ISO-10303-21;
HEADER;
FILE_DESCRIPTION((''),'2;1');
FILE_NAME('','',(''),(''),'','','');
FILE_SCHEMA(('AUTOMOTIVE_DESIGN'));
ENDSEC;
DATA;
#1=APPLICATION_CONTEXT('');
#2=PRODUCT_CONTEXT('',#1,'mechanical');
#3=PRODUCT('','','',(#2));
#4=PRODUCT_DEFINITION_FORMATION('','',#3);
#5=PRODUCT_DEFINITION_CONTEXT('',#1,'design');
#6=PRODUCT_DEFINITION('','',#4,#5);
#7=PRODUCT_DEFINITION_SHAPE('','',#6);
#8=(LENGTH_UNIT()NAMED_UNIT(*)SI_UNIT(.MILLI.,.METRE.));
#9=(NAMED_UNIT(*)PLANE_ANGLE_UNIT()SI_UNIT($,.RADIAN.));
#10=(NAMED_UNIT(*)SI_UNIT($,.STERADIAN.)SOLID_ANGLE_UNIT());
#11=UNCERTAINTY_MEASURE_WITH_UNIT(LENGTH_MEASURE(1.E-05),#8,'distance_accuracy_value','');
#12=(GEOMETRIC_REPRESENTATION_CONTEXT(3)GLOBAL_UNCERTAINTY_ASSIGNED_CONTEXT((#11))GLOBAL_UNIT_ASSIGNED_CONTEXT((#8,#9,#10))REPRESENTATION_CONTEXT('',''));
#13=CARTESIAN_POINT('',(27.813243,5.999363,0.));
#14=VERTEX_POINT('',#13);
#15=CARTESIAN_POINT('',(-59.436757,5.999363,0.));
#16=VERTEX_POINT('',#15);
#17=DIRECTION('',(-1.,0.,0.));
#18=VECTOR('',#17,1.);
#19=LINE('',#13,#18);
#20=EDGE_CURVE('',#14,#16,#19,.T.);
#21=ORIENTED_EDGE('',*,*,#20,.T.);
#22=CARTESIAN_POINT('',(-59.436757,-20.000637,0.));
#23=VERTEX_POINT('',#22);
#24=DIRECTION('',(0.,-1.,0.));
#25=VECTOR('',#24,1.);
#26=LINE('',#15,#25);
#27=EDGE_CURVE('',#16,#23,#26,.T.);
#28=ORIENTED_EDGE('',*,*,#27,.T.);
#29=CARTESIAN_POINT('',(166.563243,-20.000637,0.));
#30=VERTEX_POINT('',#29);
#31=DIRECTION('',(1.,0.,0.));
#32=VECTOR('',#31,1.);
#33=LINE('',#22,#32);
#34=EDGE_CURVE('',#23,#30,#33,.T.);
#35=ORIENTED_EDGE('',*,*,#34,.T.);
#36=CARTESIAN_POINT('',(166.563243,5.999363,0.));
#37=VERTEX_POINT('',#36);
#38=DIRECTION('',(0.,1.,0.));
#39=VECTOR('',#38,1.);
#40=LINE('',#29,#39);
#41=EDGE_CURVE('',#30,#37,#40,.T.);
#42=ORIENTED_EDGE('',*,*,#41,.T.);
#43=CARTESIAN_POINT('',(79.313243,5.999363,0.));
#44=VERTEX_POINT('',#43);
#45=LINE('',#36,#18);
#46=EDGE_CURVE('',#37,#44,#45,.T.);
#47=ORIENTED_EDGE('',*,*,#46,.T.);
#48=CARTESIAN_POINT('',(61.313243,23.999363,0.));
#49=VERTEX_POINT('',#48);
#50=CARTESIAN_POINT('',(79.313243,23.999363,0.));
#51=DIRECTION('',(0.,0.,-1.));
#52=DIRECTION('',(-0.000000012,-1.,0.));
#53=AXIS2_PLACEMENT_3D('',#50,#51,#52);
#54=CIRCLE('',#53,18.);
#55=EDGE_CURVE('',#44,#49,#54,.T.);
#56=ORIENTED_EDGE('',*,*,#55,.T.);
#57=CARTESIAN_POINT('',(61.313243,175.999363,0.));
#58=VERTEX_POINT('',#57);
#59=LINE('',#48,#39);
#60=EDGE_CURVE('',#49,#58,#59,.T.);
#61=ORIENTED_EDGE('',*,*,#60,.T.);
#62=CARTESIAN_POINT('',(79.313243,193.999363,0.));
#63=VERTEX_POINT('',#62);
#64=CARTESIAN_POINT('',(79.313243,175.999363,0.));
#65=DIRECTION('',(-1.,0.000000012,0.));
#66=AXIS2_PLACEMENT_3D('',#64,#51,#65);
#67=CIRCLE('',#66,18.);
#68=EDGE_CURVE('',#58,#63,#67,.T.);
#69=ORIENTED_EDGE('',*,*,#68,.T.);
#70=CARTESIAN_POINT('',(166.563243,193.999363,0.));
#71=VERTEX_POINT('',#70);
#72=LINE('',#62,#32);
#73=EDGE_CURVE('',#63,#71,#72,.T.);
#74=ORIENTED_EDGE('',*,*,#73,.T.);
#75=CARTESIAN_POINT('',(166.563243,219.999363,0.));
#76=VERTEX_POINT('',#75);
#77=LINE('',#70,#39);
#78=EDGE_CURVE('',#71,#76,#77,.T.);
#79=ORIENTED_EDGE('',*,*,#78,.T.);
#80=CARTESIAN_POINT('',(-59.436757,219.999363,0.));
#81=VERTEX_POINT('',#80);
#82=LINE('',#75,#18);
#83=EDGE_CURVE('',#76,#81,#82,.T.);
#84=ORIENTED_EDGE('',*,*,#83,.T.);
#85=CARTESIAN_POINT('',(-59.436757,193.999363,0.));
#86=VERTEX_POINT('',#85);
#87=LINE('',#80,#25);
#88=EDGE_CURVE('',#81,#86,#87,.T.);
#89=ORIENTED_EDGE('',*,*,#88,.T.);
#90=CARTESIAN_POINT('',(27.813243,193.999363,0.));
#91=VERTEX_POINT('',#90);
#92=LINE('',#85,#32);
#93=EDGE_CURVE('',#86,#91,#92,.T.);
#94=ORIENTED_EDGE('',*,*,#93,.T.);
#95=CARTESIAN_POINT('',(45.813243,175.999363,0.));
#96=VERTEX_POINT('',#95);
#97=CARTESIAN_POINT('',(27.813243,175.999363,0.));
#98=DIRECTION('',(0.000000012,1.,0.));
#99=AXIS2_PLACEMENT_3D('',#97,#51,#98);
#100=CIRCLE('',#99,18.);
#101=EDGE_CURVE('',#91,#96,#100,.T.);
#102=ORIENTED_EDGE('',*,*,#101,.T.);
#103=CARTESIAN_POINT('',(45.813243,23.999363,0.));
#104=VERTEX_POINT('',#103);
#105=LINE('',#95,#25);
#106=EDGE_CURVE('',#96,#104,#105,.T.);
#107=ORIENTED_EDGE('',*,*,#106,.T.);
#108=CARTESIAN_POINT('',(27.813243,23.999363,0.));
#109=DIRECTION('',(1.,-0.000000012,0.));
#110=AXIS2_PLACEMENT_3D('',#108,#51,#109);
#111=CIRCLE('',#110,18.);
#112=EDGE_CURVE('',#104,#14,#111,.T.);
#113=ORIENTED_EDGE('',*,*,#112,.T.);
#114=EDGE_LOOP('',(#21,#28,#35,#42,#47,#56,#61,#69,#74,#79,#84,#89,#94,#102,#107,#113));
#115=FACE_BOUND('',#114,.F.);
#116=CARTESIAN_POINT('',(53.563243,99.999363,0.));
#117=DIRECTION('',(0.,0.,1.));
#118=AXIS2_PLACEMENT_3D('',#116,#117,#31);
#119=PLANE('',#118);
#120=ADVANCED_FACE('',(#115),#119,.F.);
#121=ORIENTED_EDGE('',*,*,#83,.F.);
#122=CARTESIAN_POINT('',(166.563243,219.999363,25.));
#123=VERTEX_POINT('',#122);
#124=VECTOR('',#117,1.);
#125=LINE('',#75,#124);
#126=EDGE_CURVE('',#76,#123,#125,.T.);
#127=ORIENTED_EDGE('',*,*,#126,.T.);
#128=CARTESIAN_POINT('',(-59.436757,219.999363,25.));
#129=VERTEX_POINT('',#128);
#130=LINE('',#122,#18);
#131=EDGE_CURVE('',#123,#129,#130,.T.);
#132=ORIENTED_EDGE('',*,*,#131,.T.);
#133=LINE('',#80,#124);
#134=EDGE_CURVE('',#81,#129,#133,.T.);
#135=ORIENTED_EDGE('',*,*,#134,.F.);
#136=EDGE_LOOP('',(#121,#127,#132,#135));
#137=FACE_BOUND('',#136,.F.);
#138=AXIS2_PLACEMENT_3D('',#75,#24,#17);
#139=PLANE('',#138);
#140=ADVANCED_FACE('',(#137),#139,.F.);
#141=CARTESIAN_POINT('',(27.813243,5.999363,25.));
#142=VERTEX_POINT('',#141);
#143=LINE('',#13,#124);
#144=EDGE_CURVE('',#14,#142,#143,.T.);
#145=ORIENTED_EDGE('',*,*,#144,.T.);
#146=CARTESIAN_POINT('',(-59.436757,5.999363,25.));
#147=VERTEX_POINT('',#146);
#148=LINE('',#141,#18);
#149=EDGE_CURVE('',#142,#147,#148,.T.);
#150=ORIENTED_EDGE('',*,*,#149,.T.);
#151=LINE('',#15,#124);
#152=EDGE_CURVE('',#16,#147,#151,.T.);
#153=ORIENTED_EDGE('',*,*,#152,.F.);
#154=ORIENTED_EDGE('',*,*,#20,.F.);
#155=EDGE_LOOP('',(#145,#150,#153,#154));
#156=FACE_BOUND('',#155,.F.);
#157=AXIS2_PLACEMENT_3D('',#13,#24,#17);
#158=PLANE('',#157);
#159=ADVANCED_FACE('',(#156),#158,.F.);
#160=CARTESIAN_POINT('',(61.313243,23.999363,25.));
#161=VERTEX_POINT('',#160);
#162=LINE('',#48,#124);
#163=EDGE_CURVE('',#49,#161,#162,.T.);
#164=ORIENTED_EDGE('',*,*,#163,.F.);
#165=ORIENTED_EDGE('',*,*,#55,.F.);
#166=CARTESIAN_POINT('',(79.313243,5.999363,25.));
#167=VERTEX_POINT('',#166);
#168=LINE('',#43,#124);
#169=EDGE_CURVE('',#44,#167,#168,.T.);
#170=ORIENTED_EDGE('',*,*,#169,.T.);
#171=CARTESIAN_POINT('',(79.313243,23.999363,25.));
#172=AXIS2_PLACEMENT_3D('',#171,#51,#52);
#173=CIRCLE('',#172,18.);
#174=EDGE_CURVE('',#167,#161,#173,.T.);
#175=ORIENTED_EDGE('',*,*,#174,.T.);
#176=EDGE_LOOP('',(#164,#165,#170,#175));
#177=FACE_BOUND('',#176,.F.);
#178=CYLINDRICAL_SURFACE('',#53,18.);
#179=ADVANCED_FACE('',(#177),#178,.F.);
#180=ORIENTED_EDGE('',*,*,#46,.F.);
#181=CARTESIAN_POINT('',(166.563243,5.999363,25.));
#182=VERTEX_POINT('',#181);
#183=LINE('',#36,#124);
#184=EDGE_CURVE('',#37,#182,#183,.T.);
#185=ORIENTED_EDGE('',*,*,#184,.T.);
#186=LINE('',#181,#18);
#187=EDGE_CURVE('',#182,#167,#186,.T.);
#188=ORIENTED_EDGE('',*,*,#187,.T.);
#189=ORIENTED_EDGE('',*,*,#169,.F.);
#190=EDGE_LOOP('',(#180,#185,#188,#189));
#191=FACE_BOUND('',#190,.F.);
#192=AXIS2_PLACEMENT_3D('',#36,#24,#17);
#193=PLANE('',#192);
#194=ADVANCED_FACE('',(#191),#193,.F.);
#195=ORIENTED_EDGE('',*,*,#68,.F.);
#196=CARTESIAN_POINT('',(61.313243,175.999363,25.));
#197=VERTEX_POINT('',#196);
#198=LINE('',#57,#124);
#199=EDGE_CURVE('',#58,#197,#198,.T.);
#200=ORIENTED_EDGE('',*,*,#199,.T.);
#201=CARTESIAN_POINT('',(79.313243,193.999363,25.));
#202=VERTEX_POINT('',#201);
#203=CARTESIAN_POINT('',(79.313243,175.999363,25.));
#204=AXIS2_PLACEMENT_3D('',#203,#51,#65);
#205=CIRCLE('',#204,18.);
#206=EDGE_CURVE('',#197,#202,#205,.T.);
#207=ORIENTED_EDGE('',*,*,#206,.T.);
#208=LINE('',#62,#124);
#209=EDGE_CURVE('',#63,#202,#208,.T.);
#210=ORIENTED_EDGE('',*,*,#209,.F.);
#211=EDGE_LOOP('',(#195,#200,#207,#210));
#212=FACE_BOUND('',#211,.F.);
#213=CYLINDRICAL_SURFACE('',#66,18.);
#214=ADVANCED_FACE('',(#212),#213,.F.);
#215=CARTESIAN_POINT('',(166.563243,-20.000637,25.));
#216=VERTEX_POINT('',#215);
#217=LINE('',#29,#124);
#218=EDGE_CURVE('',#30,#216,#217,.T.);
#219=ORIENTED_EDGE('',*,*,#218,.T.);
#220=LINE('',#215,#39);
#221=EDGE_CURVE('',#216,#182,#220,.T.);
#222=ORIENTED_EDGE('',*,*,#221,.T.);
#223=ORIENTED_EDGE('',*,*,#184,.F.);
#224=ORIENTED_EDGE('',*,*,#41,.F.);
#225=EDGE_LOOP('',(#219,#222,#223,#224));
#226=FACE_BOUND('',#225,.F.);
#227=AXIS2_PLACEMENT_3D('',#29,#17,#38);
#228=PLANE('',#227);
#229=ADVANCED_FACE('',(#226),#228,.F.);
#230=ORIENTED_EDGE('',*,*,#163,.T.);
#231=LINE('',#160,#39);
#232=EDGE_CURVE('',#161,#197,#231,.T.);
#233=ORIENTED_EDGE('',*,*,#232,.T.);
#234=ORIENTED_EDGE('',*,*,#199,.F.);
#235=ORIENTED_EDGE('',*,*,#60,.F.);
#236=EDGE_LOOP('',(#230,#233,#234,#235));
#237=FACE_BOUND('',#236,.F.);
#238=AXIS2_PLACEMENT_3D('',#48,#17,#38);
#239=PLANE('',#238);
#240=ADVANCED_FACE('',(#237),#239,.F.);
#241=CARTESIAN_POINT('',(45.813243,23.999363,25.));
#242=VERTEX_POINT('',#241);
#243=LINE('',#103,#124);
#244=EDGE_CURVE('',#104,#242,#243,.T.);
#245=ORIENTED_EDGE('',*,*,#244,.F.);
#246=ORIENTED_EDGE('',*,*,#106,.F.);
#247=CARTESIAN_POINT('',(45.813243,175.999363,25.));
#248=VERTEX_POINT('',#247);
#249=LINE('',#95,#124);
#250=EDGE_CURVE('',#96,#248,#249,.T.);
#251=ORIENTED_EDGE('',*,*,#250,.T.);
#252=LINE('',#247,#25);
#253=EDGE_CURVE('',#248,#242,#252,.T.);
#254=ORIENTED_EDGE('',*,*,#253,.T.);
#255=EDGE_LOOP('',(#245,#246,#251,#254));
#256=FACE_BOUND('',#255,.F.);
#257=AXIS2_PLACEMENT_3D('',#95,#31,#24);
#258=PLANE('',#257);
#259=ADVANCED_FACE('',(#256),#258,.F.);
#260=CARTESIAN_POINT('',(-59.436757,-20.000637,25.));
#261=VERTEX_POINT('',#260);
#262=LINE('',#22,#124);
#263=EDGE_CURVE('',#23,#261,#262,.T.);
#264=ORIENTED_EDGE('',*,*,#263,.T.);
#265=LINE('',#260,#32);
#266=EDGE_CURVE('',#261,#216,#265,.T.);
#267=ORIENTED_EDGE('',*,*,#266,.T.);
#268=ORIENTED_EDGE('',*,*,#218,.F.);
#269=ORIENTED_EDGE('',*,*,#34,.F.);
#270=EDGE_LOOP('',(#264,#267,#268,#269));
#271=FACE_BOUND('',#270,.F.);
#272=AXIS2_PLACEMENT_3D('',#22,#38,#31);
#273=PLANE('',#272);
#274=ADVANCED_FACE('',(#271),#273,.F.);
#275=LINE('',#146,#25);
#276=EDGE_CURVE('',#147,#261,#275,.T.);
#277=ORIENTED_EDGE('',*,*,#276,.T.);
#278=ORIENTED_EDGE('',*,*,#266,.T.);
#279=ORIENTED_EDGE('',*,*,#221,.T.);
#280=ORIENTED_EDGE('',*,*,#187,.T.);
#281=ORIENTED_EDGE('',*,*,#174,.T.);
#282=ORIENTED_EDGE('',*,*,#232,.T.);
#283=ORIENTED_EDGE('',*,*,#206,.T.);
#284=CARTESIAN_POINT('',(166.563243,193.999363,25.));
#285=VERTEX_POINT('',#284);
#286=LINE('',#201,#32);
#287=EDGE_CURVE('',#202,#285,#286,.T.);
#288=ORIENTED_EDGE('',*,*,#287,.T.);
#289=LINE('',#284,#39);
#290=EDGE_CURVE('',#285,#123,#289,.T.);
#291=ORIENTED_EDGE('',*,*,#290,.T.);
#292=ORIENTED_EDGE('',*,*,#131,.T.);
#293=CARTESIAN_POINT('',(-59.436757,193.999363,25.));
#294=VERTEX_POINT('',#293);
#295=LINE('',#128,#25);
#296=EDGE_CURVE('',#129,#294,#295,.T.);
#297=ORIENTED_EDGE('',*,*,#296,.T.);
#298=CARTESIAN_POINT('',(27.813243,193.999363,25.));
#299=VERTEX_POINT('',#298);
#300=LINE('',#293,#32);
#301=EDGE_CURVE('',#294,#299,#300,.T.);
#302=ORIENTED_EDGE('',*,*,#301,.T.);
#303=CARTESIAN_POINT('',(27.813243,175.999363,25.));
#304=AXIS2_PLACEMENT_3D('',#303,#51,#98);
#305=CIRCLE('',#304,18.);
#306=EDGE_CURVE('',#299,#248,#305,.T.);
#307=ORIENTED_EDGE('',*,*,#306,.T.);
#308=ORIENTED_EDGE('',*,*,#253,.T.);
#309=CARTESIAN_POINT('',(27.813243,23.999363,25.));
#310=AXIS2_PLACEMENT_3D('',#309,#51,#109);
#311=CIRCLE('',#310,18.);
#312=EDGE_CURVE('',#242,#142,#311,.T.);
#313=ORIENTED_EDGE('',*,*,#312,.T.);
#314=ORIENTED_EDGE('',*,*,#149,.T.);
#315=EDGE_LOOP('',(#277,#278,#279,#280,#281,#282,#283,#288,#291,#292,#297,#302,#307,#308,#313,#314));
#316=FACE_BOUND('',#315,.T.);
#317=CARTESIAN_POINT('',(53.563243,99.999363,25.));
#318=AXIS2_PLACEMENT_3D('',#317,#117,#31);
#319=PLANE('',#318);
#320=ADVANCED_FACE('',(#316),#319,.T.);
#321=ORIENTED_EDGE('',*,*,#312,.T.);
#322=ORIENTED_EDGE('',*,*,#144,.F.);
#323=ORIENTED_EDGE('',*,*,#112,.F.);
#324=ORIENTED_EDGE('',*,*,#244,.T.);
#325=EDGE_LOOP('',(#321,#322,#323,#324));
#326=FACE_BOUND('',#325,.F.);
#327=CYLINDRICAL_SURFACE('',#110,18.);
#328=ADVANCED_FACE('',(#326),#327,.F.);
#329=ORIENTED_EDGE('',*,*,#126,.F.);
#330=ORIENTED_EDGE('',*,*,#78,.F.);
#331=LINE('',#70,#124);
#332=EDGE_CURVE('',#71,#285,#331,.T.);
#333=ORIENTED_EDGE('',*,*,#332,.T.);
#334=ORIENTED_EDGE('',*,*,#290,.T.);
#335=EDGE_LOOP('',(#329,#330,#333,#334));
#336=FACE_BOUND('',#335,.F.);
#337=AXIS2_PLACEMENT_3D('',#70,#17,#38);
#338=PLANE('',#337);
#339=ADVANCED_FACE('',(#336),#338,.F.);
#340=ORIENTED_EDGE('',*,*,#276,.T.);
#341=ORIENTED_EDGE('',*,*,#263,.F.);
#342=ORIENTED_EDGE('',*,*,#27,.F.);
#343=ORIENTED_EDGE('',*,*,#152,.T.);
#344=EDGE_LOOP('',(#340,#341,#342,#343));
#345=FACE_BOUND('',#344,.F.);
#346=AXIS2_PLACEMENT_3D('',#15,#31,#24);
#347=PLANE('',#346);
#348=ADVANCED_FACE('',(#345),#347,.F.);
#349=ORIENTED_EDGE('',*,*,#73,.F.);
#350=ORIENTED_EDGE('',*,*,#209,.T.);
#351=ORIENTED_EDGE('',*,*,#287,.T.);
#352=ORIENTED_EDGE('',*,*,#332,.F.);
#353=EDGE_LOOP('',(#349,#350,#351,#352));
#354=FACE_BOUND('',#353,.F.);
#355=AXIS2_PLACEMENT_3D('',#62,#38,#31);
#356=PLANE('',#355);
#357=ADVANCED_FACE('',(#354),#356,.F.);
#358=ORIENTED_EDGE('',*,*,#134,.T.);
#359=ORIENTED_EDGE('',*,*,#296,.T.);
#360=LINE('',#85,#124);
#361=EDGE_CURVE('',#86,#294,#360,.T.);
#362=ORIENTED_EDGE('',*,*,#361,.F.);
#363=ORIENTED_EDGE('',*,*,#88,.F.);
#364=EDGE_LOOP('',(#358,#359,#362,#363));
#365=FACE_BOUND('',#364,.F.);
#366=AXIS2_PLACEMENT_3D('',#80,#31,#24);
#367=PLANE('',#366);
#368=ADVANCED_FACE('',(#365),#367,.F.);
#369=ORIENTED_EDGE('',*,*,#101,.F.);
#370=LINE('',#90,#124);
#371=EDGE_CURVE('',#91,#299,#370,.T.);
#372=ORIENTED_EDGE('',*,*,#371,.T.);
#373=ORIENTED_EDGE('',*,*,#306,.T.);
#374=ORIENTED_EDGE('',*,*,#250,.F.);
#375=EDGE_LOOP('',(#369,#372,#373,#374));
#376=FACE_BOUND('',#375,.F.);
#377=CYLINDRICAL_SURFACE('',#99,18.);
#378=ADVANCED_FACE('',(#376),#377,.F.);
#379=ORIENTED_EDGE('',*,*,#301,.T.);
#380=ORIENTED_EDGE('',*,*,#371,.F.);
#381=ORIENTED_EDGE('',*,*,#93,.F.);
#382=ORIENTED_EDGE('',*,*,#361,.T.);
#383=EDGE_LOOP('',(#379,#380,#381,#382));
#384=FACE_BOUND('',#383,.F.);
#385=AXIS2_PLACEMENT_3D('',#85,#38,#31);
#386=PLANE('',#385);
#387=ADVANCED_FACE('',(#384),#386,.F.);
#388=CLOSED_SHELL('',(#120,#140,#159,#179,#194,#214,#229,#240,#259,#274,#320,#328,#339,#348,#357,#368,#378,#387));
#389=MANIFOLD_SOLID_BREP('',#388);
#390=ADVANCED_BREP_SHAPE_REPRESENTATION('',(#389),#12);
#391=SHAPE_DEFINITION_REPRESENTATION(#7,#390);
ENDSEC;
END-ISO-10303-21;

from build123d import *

# Parameters (mm, degrees)
F1_DEPTH = 25


with BuildPart() as f1:
    # F0 (on Top) → F1 (new body)
    with BuildSketch(Plane.XY):
        with BuildLine():
            ThreePointArc((27.813243, 193.999363), (40.541165, 188.727285), (45.813243, 175.999363))
            Line((45.813243, 175.999363), (45.813243, 23.999363))
            ThreePointArc((45.813243, 23.999363), (40.541165, 11.271441), (27.813243, 5.999363))
            Line((27.813243, 5.999363), (-59.436757, 5.999363))
            Line((-59.436757, 5.999363), (-59.436757, -20.000637))
            Line((-59.436757, -20.000637), (166.563243, -20.000637))
            Line((166.563243, -20.000637), (166.563243, 5.999363))
            Line((166.563243, 5.999363), (79.313243, 5.999363))
            ThreePointArc((79.313243, 5.999363), (66.585321, 11.271441), (61.313243, 23.999363))
            Line((61.313243, 23.999363), (61.313243, 175.999363))
            ThreePointArc((61.313243, 175.999363), (66.585321, 188.727285), (79.313243, 193.999363))
            Line((79.313243, 193.999363), (166.563243, 193.999363))
            Line((166.563243, 193.999363), (166.563243, 219.999363))
            Line((166.563243, 219.999363), (-59.436757, 219.999363))
            Line((-59.436757, 219.999363), (-59.436757, 193.999363))
            Line((-59.436757, 193.999363), (27.813243, 193.999363))
        make_face()
    extrude(amount=F1_DEPTH)


solid = f1.part
